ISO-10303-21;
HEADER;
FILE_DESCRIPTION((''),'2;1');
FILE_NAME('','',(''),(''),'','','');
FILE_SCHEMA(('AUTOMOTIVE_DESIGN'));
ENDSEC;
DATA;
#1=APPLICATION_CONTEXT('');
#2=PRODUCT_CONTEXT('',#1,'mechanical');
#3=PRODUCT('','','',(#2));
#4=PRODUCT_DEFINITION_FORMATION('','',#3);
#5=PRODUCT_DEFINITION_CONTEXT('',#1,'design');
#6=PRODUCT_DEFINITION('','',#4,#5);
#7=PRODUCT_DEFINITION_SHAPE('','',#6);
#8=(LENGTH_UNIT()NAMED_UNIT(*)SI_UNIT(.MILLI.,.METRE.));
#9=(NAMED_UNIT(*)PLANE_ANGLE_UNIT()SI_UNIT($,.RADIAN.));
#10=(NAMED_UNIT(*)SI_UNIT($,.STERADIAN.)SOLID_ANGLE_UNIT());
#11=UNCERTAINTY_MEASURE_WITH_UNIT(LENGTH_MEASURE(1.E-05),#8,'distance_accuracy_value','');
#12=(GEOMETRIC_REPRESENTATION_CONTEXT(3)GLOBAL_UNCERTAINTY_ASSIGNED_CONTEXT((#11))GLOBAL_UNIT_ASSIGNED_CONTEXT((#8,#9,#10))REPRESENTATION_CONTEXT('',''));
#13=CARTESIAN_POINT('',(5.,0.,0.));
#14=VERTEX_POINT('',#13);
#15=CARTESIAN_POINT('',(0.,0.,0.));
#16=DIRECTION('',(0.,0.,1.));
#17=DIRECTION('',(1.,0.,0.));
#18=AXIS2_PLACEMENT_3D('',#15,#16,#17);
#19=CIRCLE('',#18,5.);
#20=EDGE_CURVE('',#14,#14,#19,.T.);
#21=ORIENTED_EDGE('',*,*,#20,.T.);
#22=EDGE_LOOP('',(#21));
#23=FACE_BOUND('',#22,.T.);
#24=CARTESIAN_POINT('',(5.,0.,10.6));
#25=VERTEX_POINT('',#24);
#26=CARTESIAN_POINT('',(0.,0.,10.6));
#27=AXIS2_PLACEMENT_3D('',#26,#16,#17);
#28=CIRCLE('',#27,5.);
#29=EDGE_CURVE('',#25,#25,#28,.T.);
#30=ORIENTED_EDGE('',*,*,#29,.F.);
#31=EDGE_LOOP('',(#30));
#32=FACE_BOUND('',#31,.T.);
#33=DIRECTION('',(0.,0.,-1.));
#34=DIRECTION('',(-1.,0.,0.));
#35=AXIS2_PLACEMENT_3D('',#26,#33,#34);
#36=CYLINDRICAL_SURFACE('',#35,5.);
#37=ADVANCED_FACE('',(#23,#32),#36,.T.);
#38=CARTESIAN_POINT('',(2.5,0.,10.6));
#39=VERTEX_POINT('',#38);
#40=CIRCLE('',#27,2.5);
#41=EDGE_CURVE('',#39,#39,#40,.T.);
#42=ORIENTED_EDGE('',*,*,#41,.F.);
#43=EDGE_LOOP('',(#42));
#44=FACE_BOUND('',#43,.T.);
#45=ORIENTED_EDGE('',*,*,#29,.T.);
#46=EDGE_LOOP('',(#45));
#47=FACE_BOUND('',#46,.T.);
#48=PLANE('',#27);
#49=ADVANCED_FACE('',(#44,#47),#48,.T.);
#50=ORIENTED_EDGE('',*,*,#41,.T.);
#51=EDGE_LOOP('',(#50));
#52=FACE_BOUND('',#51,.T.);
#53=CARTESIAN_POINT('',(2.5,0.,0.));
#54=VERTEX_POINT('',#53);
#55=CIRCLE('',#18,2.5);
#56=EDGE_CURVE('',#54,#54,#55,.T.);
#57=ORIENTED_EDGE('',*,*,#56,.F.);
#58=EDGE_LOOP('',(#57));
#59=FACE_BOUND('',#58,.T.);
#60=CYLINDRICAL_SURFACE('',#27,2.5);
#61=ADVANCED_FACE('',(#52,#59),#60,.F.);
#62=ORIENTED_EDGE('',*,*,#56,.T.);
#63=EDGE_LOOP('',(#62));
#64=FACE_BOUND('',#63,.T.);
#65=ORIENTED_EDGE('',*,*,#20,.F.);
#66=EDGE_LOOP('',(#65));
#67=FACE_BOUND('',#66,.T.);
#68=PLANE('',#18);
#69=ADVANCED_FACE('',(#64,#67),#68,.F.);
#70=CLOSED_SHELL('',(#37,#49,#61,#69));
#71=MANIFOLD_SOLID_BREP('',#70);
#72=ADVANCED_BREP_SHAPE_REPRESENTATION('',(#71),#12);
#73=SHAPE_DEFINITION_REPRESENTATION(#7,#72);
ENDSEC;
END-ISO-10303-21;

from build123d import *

# Parameters (mm, degrees)
SKETCH1_R                 = 5
BOSS_EXTRUDE1_DEPTH       = 10.6
F_5_0MM_DOWEL_HOLE1_D     = 5
F_5_0MM_DOWEL_HOLE1_DEPTH = 10.6


with BuildPart() as part:
    # Sketch1 → Boss-Extrude1 (new body)
    with BuildSketch(Plane.XY):
        Circle(SKETCH1_R)
    extrude(amount=BOSS_EXTRUDE1_DEPTH)

    # Ø5.0mm Dowel Hole1
    with Locations(Plane.XY.offset(10.6)):
        with Locations((0, 0)):
            Hole(F_5_0MM_DOWEL_HOLE1_D / 2, depth=F_5_0MM_DOWEL_HOLE1_DEPTH)


solid = part.part
